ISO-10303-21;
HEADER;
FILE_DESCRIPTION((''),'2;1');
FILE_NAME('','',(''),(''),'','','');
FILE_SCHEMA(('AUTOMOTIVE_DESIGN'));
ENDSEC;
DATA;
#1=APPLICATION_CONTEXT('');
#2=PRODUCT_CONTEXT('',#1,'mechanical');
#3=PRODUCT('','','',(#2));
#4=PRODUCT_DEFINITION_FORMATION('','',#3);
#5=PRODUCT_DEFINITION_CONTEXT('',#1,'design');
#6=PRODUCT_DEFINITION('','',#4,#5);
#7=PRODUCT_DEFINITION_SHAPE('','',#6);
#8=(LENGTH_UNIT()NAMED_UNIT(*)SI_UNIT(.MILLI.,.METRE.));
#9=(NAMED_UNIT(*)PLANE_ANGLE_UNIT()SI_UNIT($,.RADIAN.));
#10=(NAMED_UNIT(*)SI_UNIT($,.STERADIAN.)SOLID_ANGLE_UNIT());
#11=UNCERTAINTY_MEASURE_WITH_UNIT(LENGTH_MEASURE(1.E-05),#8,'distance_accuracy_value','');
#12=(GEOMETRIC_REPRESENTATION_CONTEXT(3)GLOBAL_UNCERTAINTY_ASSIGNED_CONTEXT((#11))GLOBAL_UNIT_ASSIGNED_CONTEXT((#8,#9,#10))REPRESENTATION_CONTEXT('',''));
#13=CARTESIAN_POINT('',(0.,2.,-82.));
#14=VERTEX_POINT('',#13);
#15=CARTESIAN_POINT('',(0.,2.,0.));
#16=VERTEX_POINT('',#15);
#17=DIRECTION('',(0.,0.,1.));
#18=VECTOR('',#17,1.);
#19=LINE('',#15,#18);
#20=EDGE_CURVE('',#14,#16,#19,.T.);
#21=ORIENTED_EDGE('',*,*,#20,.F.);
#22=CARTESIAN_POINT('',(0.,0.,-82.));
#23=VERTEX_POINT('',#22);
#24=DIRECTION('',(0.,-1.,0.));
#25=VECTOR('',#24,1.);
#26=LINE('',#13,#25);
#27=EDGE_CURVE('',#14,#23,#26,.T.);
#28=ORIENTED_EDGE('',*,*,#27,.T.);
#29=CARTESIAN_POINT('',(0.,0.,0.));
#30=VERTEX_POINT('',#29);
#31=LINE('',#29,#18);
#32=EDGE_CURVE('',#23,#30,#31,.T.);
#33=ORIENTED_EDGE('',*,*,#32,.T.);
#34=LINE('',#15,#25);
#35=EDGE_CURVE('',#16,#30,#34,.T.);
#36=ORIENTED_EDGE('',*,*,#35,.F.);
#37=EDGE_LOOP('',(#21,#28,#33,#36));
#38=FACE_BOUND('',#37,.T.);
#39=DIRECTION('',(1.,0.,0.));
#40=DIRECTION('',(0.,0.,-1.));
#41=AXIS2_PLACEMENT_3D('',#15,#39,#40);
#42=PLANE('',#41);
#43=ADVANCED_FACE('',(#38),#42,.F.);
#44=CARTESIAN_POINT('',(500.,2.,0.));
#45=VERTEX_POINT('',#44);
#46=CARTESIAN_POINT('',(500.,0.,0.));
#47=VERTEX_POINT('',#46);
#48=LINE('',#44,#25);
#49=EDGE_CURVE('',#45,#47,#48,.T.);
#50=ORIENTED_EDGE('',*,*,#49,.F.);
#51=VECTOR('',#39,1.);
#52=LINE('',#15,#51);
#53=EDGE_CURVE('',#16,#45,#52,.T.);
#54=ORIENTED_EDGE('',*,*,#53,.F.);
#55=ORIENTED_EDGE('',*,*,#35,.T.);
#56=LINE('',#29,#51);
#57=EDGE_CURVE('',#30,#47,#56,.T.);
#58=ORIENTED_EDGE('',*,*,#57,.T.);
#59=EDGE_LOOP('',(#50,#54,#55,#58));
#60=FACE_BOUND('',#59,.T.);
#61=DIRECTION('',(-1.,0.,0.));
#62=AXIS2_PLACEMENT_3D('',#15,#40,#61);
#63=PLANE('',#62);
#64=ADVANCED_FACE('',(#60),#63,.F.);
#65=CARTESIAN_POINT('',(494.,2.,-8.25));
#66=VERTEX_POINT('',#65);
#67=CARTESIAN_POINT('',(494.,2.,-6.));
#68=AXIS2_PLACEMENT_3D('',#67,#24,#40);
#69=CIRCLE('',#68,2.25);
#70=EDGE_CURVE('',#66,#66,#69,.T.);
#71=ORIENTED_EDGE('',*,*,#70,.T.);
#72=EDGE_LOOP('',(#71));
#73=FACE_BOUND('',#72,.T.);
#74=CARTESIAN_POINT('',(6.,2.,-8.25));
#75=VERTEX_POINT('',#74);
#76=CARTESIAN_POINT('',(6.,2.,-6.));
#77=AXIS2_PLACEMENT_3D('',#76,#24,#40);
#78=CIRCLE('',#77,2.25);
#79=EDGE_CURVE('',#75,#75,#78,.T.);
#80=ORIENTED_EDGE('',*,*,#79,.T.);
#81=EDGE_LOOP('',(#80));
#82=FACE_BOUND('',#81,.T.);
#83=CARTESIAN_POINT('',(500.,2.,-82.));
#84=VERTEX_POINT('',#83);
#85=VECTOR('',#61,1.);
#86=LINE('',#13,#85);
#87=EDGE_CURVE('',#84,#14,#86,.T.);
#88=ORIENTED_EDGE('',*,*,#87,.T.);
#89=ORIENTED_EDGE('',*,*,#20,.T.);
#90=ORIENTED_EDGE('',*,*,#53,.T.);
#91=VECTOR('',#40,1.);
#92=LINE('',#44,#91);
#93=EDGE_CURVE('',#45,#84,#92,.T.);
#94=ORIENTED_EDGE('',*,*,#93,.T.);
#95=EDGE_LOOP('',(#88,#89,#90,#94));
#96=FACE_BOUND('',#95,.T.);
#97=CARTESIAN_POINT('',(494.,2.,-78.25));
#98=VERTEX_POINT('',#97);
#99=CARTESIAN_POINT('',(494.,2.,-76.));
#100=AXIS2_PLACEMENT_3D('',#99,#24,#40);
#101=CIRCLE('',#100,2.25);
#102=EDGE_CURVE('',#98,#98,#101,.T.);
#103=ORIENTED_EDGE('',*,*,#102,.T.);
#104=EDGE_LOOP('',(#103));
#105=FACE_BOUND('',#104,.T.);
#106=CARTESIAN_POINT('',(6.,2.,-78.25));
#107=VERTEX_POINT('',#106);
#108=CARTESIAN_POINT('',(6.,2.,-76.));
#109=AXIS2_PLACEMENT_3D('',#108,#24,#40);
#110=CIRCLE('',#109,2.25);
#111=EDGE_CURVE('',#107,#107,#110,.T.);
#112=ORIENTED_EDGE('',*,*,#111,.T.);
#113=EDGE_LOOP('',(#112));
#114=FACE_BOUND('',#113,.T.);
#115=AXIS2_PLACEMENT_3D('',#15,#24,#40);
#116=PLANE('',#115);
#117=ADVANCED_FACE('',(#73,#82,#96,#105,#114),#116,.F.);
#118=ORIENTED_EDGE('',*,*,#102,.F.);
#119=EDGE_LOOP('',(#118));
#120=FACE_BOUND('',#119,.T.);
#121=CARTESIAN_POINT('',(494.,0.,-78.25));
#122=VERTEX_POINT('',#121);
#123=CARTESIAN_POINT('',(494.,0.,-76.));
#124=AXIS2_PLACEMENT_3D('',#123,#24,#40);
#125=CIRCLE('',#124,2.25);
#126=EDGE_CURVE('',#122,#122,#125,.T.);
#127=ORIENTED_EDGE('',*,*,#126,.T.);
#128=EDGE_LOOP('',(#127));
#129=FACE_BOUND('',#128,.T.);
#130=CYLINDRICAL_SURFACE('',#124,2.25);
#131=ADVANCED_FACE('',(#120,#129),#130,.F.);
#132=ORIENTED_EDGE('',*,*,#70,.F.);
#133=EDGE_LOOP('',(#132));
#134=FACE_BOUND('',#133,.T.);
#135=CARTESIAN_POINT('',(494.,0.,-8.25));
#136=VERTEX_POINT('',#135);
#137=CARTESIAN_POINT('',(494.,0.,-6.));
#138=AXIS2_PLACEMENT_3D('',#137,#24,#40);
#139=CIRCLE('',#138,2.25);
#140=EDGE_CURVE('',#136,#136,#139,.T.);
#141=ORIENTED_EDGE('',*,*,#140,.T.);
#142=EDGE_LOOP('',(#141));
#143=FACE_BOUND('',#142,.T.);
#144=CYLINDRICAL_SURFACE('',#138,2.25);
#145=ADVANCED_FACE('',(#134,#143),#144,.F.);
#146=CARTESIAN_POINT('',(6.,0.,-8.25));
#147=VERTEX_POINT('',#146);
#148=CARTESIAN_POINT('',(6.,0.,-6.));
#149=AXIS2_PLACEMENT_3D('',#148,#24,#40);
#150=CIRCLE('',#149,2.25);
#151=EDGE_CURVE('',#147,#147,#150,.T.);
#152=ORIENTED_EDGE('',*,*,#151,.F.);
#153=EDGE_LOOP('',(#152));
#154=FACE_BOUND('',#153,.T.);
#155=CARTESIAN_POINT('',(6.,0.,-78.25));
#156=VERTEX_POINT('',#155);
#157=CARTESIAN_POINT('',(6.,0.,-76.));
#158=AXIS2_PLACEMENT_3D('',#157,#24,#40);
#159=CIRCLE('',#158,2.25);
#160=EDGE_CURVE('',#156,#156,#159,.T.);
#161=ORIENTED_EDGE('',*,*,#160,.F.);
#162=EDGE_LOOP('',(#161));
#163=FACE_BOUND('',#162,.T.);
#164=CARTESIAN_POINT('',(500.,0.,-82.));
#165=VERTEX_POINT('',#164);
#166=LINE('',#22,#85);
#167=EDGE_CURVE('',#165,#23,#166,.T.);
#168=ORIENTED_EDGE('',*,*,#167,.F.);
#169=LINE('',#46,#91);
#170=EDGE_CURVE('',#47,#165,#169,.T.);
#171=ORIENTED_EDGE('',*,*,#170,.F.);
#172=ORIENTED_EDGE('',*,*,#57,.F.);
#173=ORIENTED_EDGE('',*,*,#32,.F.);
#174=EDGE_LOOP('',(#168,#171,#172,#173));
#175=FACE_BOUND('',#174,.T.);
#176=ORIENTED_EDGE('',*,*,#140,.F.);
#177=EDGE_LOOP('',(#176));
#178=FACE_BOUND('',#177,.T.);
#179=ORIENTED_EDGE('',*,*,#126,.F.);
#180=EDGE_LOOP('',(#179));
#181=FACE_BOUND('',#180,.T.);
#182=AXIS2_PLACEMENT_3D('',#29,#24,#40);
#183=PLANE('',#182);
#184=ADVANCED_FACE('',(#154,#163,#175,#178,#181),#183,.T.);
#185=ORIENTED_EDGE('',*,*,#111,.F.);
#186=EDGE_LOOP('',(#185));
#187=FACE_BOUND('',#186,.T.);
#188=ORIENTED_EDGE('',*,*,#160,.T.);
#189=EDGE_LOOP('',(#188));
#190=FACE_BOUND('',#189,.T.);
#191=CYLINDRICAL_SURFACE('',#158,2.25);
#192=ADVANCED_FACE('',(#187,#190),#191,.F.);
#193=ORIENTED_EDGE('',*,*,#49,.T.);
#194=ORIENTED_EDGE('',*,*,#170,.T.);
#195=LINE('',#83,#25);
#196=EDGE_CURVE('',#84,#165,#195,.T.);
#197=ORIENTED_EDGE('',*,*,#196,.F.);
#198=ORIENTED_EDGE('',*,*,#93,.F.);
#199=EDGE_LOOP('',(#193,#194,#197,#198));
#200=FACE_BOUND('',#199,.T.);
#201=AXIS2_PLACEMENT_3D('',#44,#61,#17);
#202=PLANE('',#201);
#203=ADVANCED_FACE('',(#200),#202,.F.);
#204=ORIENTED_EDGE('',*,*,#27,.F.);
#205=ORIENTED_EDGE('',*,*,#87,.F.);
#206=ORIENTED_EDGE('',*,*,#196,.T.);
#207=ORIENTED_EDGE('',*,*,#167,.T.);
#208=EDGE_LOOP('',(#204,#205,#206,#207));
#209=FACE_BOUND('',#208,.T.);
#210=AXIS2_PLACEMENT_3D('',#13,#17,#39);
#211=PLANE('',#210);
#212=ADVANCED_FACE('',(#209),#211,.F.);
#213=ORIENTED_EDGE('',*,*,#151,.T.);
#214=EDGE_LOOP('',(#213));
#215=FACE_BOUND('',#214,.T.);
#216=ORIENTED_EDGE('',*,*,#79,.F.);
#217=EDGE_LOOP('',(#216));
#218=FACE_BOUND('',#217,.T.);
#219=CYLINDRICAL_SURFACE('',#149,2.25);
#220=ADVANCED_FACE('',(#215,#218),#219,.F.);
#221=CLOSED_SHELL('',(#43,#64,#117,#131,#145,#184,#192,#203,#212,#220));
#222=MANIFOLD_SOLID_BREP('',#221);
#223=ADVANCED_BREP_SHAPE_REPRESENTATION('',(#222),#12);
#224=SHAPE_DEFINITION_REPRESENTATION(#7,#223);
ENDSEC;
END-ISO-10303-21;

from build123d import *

# Parameters (mm, degrees)
SKETCH1_W                = 500
SKETCH1_H                = 82
BOSS_EXTRUDE1_DEPTH      = 2
M4_CLEARANCE_HOLE1_D     = 4.5
M4_CLEARANCE_HOLE1_DEPTH = 2


with BuildPart() as part:
    # Sketch1 → Boss-Extrude1 (new body)
    with BuildSketch(Plane(origin=(0, 0, 0), x_dir=(1, 0, 0), z_dir=(0, 1, 0))):
        with Locations((250, 41)):
            Rectangle(SKETCH1_W, SKETCH1_H)
    extrude(amount=BOSS_EXTRUDE1_DEPTH)

    # M4 Clearance Hole1
    with Locations(Plane(origin=(0, 0, 0), x_dir=(-1, 0, 0), z_dir=(0, -1, 0))):
        with Locations((-6, 6), (-6, 76), (-494, 76), (-494, 6)):
            Hole(M4_CLEARANCE_HOLE1_D / 2, depth=M4_CLEARANCE_HOLE1_DEPTH)


solid = part.part
